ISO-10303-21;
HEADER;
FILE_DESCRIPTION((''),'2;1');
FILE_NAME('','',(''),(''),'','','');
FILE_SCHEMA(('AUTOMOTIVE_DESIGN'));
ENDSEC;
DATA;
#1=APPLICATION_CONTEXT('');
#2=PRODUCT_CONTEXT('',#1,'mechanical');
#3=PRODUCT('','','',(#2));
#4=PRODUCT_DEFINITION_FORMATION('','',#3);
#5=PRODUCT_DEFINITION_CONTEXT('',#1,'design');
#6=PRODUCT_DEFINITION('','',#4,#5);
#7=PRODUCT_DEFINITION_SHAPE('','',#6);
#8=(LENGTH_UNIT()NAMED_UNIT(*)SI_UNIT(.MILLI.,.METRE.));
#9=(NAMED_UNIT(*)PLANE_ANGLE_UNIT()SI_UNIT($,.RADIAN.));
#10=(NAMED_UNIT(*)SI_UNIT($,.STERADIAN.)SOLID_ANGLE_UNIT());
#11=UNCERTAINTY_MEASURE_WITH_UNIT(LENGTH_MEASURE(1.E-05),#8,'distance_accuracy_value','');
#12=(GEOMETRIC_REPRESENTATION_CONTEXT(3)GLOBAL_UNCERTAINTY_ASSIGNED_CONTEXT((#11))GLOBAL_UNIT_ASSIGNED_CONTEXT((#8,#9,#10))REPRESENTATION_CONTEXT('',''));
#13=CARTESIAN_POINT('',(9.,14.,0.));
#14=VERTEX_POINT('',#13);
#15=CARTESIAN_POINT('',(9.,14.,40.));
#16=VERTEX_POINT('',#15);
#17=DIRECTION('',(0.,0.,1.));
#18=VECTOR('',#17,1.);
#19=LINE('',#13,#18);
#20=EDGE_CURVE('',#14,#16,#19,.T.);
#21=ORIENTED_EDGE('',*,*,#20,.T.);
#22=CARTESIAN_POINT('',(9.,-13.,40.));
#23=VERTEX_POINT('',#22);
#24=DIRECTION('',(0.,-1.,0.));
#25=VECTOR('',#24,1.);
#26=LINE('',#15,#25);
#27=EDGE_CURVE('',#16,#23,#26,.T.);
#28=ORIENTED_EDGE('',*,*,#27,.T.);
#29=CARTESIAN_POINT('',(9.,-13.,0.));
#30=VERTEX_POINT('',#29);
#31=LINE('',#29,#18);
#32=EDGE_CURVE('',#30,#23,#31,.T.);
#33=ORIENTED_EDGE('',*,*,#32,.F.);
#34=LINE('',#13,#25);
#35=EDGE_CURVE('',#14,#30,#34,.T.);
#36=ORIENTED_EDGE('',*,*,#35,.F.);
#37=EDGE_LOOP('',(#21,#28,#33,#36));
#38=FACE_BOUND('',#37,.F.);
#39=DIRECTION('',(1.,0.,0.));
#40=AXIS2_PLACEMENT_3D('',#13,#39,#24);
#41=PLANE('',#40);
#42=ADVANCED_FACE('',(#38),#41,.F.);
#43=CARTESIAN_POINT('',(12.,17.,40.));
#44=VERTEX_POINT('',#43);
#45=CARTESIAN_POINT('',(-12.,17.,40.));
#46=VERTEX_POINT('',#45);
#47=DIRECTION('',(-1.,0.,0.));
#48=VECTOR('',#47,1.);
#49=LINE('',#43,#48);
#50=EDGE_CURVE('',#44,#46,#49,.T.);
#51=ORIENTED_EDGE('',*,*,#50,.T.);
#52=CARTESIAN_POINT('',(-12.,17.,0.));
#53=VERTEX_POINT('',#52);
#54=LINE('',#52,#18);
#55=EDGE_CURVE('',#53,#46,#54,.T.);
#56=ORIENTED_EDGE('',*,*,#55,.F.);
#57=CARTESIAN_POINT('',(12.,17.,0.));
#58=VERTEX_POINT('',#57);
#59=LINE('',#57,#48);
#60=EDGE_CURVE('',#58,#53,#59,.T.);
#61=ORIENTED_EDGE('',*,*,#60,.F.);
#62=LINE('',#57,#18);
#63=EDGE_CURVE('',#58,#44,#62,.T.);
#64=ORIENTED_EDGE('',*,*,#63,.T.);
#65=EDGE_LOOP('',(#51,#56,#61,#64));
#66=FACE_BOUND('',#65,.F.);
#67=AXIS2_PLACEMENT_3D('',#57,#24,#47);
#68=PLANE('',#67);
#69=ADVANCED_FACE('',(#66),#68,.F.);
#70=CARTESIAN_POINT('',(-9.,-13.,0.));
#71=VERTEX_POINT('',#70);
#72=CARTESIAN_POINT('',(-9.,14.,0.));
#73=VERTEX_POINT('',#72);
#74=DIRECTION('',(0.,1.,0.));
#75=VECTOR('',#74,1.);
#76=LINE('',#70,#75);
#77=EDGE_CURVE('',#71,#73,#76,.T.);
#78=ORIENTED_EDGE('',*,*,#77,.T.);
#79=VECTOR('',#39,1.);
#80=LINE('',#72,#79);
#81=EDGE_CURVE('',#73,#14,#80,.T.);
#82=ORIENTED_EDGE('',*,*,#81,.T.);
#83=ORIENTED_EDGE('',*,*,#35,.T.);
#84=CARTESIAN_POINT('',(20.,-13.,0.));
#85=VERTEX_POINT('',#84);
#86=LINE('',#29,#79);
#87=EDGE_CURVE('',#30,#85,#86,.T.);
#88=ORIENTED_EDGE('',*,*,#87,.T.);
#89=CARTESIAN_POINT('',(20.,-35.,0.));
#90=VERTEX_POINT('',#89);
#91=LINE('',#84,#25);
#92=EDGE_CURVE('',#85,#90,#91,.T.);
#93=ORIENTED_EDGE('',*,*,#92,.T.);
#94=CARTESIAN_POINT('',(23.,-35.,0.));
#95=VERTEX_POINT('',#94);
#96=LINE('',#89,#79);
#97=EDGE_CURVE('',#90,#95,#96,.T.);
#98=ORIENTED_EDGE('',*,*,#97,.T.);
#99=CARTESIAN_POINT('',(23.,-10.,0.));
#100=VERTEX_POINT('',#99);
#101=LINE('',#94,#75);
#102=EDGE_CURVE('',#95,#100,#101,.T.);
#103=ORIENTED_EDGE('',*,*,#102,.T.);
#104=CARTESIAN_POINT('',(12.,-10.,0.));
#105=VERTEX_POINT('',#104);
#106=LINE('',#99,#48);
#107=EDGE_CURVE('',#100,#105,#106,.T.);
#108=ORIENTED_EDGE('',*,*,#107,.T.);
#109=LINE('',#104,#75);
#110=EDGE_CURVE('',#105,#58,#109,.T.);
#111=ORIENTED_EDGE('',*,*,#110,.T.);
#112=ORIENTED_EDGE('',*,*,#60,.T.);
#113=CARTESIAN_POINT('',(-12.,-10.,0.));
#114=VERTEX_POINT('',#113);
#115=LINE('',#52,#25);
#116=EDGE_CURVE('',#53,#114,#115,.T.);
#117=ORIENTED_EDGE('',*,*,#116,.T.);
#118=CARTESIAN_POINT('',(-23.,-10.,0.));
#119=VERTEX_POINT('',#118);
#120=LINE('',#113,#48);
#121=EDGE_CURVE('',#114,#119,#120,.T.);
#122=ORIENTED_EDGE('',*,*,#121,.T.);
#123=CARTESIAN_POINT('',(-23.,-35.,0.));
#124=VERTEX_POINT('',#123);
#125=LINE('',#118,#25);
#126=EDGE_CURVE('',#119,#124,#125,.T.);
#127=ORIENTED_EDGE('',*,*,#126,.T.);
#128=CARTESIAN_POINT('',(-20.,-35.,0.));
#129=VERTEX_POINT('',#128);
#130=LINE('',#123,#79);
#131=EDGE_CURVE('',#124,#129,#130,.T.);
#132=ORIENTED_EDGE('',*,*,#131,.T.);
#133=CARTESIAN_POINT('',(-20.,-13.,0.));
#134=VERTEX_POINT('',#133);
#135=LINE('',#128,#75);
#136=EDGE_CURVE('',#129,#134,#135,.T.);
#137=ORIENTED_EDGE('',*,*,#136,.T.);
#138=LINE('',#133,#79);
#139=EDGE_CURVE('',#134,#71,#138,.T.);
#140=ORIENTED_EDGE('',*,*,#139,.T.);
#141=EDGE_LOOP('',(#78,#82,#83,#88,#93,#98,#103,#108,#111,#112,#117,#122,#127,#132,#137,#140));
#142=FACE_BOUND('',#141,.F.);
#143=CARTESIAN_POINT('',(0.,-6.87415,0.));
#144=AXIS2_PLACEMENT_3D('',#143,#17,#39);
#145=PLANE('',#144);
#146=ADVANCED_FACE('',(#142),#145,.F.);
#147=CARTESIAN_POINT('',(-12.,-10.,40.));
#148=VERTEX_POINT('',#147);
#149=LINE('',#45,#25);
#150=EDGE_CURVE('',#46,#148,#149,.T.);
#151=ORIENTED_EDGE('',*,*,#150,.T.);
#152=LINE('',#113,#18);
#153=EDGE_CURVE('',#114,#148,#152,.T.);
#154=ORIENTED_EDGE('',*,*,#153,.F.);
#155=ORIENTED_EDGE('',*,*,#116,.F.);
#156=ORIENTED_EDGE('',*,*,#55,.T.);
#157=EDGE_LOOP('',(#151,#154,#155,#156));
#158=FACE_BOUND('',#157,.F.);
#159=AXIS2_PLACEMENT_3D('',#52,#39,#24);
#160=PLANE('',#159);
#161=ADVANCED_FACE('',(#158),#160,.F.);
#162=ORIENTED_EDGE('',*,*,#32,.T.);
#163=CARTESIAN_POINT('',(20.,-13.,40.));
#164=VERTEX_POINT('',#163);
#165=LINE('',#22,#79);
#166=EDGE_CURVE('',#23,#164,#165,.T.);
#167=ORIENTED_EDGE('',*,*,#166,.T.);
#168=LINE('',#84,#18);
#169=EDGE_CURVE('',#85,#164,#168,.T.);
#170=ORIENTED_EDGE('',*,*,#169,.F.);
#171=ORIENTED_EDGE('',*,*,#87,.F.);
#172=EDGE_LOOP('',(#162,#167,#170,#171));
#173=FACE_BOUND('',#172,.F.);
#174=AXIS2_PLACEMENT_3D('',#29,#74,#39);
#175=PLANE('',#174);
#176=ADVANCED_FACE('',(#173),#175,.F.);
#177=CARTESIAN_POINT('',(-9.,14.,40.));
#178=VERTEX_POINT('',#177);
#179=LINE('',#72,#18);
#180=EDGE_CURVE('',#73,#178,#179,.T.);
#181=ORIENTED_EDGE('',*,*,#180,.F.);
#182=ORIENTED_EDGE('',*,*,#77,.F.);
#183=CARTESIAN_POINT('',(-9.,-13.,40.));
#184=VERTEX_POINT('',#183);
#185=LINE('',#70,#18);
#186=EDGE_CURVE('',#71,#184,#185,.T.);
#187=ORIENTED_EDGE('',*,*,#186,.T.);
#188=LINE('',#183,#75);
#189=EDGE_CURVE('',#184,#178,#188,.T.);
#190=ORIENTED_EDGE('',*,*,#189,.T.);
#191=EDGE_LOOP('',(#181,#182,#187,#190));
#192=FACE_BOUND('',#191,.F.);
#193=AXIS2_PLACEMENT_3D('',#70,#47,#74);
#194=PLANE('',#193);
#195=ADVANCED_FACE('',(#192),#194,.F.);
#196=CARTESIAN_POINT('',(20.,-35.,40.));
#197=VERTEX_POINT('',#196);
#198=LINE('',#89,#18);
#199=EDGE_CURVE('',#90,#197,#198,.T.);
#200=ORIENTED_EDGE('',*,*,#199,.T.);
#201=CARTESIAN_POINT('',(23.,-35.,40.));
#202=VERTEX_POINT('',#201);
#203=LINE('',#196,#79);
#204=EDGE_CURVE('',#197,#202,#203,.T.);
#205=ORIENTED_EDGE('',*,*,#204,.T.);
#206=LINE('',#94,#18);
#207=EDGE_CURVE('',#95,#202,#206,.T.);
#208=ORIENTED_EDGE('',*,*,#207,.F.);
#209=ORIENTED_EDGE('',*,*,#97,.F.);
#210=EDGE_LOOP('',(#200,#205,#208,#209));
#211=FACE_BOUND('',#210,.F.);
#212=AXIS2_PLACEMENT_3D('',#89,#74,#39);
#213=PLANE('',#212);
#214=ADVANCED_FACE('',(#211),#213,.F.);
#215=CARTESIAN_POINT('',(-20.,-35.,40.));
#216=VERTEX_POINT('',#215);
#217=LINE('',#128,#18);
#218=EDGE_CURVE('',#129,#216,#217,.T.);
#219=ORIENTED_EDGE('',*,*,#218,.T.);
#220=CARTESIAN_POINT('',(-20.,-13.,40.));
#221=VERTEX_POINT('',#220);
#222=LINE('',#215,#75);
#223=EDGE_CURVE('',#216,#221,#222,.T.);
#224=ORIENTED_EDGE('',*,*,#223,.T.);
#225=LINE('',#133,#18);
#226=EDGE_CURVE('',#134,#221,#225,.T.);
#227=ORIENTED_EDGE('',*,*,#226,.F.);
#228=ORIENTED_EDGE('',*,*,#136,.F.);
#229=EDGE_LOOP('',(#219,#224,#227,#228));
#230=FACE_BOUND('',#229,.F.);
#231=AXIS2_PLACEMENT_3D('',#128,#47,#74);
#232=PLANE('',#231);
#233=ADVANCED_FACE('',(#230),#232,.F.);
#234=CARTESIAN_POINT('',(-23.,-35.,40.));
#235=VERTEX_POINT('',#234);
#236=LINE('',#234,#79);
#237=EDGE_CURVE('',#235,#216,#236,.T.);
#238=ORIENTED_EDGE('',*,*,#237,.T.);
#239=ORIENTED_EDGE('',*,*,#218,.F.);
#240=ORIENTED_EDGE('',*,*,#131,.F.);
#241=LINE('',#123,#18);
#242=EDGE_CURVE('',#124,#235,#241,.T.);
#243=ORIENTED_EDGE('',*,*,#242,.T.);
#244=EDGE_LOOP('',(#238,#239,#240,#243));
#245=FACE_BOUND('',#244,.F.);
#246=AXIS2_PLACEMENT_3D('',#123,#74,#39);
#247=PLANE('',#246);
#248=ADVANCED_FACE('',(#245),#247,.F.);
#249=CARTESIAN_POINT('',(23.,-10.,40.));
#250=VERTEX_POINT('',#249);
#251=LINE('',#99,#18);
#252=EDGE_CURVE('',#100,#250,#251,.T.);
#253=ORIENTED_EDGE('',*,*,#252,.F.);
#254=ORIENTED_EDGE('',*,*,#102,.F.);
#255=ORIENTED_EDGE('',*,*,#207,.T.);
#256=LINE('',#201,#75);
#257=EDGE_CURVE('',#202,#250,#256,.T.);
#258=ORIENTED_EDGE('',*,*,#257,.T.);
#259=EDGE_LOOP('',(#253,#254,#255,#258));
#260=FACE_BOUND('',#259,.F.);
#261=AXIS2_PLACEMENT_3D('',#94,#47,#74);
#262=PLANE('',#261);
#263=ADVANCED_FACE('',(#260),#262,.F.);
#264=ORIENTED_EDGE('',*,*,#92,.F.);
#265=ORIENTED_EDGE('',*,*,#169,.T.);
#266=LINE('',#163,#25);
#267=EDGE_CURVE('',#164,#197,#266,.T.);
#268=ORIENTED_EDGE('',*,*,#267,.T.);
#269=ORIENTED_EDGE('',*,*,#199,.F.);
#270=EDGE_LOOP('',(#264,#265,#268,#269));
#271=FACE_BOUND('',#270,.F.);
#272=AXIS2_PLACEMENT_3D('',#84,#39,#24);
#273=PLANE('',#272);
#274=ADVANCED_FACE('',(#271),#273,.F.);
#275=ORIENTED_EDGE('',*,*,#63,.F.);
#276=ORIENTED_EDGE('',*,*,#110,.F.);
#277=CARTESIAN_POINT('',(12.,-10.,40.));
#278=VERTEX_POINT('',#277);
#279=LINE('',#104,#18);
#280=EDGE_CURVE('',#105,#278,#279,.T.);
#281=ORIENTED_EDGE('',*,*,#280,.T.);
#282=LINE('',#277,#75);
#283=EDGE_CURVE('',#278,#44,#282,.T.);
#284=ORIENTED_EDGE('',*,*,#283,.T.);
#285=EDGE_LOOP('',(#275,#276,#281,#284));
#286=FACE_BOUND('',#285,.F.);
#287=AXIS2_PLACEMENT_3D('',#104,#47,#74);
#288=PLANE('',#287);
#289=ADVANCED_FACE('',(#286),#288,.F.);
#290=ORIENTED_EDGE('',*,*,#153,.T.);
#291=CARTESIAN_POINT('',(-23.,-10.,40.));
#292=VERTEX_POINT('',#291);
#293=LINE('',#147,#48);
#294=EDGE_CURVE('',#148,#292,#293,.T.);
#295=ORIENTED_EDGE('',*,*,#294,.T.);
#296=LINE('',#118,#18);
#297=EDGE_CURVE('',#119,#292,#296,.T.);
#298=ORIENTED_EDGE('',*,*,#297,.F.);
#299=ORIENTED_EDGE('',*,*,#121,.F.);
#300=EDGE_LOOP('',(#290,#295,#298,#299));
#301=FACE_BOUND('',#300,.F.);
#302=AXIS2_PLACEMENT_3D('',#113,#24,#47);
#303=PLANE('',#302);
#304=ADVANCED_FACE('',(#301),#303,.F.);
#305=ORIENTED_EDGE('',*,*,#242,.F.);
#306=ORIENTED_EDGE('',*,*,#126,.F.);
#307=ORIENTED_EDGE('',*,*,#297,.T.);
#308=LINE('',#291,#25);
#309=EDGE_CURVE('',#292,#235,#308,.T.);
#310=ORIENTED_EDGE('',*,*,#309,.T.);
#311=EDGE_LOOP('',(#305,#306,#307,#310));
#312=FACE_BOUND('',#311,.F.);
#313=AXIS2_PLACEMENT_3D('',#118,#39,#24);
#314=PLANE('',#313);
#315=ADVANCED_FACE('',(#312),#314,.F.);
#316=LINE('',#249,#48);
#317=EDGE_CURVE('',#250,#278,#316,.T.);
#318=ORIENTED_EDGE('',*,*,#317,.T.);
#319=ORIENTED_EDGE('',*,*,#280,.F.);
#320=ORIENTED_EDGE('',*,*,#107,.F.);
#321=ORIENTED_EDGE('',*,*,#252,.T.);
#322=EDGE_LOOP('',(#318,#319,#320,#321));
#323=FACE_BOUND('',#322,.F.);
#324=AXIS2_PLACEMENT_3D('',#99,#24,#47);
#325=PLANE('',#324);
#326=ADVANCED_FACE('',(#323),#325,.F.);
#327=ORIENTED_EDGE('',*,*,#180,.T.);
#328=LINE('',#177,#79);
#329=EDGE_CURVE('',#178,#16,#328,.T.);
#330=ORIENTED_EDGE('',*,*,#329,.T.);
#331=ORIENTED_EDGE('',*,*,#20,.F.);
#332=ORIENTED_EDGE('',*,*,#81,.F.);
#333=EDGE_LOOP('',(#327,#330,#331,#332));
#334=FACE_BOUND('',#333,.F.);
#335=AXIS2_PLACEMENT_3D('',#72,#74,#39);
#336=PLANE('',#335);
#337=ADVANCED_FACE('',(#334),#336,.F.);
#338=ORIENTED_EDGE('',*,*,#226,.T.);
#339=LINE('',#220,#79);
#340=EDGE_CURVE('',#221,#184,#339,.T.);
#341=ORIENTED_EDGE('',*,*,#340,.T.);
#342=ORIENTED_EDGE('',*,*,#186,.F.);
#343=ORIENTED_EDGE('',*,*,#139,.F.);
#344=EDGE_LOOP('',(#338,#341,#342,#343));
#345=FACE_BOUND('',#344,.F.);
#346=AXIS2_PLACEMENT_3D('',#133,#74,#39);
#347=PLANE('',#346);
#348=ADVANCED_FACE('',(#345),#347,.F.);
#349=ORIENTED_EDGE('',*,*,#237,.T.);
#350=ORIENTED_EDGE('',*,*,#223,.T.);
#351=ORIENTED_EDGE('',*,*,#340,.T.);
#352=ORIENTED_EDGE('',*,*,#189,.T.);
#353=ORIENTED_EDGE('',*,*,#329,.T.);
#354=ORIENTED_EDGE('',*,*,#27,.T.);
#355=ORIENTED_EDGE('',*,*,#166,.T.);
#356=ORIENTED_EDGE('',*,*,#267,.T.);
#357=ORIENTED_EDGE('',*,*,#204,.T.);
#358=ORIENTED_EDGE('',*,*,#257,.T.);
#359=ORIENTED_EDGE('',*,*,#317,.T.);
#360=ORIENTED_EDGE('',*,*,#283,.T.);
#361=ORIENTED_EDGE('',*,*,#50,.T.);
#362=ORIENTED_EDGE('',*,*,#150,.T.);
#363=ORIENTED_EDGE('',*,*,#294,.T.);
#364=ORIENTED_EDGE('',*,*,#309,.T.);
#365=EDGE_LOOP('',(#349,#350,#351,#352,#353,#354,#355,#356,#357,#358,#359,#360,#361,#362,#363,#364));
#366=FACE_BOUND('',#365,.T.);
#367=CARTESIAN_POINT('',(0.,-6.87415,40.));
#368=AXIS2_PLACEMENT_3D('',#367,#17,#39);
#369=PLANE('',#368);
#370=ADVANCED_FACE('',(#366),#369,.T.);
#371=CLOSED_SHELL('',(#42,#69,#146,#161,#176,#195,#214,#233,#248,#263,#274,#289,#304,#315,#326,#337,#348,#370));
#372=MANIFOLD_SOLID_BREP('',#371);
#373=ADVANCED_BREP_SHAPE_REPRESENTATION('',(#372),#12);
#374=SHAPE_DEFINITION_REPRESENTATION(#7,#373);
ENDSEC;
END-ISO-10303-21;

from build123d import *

# Parameters (mm, degrees)
F1_DEPTH = 40


with BuildPart() as f1:
    # F0 (on Top) → F1 (new body)
    with BuildSketch(Plane.XY):
        Polygon((-9, 14), (0, 14), (9, 14), (9, -13), (20, -13), (20, -35), (23, -35), (23, -10), (12, -10), (12, 17), (0, 17), (-12, 17), (-12, -10), (-23, -10), (-23, -35), (-20, -35), (-20, -13), (-9, -13), align=None)
    extrude(amount=F1_DEPTH)


solid = f1.part
